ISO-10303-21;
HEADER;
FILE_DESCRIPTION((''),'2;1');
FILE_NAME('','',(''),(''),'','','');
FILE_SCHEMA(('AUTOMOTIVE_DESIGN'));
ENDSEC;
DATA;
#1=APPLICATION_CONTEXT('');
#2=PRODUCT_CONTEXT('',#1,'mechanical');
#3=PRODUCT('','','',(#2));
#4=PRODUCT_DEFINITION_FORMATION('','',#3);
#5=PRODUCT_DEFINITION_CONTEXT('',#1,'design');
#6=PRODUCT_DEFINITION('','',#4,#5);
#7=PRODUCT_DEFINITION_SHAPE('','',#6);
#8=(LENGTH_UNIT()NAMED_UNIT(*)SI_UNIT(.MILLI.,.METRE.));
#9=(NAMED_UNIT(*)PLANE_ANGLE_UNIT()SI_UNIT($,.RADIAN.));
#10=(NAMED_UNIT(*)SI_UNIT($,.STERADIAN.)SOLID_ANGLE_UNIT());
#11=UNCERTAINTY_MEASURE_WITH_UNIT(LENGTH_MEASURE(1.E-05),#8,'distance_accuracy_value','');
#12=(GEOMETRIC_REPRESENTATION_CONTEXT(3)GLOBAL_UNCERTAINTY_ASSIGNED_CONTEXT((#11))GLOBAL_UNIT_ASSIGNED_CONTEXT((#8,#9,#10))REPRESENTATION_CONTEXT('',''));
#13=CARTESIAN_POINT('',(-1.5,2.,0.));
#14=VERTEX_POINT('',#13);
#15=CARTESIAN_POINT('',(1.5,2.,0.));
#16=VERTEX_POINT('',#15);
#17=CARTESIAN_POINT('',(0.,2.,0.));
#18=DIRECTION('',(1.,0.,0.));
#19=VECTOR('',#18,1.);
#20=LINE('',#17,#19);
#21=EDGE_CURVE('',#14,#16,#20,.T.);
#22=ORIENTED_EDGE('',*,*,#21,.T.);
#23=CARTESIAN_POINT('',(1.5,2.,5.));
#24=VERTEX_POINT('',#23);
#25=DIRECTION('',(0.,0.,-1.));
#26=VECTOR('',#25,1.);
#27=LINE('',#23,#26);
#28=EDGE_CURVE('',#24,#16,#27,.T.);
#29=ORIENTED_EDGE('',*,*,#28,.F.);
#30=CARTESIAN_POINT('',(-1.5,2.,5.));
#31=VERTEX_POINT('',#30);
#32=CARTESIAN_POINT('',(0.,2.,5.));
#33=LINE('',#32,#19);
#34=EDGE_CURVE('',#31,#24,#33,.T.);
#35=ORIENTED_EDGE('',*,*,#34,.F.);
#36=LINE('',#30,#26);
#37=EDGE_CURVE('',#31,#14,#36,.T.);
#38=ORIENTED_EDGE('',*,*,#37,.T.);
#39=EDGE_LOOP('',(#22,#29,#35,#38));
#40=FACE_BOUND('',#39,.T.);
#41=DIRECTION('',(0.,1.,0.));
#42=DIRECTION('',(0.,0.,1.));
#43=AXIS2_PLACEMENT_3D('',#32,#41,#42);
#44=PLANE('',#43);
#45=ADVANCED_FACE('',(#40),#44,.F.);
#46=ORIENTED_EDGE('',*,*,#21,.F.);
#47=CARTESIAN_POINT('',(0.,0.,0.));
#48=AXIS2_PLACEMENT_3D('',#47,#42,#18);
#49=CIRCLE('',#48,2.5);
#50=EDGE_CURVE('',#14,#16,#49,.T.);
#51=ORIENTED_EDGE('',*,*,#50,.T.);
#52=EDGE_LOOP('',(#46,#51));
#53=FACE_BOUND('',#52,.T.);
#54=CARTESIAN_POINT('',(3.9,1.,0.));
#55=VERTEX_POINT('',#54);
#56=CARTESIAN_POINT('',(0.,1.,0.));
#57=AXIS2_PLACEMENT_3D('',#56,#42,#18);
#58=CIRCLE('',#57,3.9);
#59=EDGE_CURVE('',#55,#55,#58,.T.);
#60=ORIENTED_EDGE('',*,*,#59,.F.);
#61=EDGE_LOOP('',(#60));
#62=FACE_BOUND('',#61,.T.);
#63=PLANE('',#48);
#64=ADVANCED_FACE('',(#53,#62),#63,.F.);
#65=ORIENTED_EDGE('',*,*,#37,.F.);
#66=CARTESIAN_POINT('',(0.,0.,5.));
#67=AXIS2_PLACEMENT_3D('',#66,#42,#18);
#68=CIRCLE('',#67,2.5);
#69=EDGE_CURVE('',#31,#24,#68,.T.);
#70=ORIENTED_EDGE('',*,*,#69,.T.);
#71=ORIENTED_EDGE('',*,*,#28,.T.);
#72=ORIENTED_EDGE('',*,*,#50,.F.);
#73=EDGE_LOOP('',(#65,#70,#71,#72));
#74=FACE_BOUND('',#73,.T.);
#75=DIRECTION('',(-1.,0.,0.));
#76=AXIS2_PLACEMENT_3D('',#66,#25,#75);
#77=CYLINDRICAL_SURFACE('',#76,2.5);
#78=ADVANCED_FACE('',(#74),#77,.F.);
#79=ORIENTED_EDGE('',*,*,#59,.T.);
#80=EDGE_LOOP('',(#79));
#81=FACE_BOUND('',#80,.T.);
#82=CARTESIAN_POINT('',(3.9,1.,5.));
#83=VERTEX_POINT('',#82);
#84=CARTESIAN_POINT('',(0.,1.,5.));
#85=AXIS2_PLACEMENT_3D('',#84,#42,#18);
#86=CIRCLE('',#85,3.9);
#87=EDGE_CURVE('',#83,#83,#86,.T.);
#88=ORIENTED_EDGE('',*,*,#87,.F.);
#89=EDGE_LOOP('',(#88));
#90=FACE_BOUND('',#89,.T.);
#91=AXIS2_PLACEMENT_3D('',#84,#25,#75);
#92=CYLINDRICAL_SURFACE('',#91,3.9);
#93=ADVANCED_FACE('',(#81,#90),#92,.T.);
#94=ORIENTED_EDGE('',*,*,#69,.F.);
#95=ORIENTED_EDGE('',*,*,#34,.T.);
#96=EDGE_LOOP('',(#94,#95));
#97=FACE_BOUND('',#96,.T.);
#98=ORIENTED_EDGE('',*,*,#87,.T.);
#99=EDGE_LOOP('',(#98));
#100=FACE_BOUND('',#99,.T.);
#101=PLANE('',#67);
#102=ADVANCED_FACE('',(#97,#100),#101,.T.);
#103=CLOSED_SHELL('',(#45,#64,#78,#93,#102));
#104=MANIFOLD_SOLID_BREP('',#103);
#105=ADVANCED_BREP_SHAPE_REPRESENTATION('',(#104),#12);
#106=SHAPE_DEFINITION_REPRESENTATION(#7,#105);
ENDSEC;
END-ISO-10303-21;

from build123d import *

# Parameters (mm, degrees)
ESQUISSE1_R        = 3.9
BOSS_EXTRU_1_DEPTH = 5


with BuildPart() as part:
    # Esquisse1 → Boss.-Extru.1 (new body)
    with BuildSketch(Plane.XY):
        with Locations((0, 1)):
            Circle(ESQUISSE1_R)
        with BuildLine():
            Line((-1.5, 2), (1.5, 2))
            ThreePointArc((1.5, 2), (0, -2.5), (-1.5, 2))
        make_face(mode=Mode.SUBTRACT)
    extrude(amount=BOSS_EXTRU_1_DEPTH)


solid = part.part
